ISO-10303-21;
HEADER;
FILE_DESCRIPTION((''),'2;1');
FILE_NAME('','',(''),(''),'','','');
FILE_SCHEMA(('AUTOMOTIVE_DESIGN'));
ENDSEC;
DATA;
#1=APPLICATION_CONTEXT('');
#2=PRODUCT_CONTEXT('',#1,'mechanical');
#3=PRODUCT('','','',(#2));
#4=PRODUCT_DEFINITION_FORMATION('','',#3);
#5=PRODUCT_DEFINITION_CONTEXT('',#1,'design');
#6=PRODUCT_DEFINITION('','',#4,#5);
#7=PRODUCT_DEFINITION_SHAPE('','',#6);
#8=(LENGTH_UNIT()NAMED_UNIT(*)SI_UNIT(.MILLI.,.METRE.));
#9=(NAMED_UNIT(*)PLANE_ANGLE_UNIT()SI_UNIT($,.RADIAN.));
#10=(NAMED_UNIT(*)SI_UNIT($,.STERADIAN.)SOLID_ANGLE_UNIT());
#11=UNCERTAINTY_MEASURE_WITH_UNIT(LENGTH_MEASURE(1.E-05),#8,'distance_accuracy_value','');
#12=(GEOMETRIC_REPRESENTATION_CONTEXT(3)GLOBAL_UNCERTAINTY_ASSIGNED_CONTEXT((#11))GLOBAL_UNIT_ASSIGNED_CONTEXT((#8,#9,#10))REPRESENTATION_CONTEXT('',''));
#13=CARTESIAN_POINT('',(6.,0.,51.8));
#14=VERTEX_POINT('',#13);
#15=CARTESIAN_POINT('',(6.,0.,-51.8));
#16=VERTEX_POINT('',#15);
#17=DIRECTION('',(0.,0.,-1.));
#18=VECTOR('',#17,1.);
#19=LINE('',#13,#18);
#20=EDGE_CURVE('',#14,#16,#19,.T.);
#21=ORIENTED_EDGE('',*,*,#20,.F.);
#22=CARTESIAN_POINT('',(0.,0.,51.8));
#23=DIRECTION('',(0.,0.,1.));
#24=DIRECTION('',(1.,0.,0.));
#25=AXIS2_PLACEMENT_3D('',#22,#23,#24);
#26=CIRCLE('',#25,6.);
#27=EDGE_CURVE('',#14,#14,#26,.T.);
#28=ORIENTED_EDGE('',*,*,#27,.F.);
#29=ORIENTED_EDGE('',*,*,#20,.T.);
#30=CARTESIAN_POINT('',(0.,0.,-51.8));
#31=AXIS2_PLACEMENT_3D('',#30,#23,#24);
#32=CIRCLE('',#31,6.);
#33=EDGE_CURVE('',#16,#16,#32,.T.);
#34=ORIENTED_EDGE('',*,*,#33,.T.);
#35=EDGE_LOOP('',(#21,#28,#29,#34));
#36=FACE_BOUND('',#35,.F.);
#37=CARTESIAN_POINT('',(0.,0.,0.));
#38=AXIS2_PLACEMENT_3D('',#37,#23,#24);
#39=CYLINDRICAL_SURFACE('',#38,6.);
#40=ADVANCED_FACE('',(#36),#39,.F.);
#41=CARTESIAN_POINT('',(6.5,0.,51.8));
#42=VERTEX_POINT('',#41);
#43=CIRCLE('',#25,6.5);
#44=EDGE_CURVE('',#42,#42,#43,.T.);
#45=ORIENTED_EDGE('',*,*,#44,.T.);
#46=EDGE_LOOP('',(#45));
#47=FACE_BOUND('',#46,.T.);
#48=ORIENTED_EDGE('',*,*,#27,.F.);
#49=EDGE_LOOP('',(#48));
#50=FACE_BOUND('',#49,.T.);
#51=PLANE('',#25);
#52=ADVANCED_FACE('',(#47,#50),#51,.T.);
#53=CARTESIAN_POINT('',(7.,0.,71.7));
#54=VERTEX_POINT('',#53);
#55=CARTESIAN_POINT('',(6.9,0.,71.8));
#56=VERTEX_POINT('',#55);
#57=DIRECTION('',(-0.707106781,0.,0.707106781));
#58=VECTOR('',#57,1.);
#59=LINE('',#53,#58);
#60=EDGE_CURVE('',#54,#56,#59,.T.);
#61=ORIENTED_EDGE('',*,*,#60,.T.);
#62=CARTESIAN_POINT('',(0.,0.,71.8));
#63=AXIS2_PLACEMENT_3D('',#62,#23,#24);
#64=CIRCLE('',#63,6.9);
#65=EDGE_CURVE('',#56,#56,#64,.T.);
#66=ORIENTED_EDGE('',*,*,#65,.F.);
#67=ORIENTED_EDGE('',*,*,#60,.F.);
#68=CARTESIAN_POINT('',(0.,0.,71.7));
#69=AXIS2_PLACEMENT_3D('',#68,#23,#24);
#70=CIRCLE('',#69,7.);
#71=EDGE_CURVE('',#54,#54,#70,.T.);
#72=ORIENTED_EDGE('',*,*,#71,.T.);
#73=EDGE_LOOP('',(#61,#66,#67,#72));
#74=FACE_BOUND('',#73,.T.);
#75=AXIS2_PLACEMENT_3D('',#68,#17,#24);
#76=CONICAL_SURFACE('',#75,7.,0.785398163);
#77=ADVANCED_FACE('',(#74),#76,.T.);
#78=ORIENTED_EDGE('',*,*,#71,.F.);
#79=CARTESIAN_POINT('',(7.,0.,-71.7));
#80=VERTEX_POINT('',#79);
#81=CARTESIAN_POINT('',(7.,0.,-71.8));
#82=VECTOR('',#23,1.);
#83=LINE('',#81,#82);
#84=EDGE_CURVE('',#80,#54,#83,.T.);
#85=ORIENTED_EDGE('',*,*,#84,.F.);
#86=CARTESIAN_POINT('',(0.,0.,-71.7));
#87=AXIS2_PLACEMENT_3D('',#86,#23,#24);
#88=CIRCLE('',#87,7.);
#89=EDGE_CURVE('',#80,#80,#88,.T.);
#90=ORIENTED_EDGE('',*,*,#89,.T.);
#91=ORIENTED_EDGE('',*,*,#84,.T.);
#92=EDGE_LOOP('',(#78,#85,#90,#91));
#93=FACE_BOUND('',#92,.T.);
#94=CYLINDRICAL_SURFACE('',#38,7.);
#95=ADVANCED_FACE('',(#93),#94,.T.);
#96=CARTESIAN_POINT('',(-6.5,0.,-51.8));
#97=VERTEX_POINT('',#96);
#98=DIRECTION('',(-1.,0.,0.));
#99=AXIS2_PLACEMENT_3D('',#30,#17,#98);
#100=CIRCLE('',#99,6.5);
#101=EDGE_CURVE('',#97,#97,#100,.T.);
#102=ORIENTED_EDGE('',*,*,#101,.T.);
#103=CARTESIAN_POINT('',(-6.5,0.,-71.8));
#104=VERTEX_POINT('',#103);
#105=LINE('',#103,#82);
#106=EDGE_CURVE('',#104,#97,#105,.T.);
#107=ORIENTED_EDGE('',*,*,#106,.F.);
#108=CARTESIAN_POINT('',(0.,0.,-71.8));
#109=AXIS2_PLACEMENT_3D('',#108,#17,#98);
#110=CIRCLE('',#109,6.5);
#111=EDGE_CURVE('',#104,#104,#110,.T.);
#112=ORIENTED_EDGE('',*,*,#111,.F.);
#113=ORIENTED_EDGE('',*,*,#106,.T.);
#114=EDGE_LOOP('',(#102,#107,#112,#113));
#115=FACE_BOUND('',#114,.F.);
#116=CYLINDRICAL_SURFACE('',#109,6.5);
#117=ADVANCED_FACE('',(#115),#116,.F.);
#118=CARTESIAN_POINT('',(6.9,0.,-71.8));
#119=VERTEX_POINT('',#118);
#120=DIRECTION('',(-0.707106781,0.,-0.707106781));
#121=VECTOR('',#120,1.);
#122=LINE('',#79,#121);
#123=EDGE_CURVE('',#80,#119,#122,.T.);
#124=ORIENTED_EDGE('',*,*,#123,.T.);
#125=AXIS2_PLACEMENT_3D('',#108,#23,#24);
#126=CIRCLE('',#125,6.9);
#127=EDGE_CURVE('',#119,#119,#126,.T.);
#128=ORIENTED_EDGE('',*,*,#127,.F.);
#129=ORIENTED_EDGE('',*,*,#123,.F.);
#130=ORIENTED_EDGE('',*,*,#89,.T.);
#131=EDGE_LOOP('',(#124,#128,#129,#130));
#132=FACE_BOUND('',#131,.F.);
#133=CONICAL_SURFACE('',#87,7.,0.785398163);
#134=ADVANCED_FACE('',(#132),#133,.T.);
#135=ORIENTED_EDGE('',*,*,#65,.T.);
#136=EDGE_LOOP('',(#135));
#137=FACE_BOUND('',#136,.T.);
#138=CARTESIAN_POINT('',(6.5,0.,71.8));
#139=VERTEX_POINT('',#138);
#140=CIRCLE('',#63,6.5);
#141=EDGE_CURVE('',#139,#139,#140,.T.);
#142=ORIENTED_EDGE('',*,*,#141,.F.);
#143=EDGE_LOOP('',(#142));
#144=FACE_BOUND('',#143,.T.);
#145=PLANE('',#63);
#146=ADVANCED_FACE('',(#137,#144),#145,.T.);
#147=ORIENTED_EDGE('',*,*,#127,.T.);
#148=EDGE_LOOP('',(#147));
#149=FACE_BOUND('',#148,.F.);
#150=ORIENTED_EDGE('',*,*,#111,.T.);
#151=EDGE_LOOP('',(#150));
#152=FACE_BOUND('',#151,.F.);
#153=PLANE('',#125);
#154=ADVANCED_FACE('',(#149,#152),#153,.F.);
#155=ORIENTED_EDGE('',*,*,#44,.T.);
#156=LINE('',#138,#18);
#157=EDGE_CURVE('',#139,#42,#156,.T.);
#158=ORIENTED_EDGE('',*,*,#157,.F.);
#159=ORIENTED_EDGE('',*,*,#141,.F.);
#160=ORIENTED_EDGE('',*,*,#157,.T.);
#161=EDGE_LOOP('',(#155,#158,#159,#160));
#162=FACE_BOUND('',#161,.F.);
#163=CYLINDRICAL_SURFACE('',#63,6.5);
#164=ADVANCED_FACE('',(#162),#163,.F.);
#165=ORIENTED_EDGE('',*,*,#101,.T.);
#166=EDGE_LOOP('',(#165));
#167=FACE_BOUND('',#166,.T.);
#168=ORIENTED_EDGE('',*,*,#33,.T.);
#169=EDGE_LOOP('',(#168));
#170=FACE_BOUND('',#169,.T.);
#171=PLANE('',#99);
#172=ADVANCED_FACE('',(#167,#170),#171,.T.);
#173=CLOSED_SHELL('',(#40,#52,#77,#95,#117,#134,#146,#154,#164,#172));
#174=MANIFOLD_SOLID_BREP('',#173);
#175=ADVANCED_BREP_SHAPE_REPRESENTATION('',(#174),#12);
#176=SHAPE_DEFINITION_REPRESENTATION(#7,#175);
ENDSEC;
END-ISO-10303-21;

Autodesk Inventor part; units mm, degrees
ref_plane "YZ Plane" through (0, 0, 0) normal (1, 0, 0) x (0, 1, 0)
ref_plane "XZ Plane" through (0, 0, 0) normal (0, 1, 0) x (-1, 0, 0)
ref_plane "XY Plane" through (0, 0, 0) normal (0, 0, 1) x (1, 0, 0)
sketch "Sketch1" plane through (0, 0, 0) normal (0, 0, 1) x (1, 0, 0)
  circle A0 centre (0, 0) radius 6
  circle A1 centre (0, 0) radius 7
  dimension "d0" = 12
  dimension "d1" = 14
extrude "Extrusion1" add sketch "Sketch1" against normal mid plane 143.6
chamfer "Chamfer1" distance 0.1 angle 45 4 edges at (-6, 0, 71.8) (-7, 0, 71.8) (-7, 0, -71.8) (-6, 0, -71.8)
sketch "Sketch2" plane through (0, 0, 71.8) normal (0, 0, 1) x (1, 0, 0)
  circle A0 centre (0, 0) radius 6.5
  circle A1 centre (0, 0) radius 6
  dimension "d7" = 13
  dimension "d8" = 12
extrude "Extrusion2" cut sketch "Sketch2" against normal blind 20
sketch "Sketch3" plane through (0, 0, -71.8) normal (0, 0, -1) x (-1, 0, 0)
  circle A0 centre (0, 0) radius 6.5
  dimension "d11" = 13
extrude "Extrusion3" cut sketch "Sketch3" against normal blind 20
properties part number "Joint0_Joint1_Bushing"
